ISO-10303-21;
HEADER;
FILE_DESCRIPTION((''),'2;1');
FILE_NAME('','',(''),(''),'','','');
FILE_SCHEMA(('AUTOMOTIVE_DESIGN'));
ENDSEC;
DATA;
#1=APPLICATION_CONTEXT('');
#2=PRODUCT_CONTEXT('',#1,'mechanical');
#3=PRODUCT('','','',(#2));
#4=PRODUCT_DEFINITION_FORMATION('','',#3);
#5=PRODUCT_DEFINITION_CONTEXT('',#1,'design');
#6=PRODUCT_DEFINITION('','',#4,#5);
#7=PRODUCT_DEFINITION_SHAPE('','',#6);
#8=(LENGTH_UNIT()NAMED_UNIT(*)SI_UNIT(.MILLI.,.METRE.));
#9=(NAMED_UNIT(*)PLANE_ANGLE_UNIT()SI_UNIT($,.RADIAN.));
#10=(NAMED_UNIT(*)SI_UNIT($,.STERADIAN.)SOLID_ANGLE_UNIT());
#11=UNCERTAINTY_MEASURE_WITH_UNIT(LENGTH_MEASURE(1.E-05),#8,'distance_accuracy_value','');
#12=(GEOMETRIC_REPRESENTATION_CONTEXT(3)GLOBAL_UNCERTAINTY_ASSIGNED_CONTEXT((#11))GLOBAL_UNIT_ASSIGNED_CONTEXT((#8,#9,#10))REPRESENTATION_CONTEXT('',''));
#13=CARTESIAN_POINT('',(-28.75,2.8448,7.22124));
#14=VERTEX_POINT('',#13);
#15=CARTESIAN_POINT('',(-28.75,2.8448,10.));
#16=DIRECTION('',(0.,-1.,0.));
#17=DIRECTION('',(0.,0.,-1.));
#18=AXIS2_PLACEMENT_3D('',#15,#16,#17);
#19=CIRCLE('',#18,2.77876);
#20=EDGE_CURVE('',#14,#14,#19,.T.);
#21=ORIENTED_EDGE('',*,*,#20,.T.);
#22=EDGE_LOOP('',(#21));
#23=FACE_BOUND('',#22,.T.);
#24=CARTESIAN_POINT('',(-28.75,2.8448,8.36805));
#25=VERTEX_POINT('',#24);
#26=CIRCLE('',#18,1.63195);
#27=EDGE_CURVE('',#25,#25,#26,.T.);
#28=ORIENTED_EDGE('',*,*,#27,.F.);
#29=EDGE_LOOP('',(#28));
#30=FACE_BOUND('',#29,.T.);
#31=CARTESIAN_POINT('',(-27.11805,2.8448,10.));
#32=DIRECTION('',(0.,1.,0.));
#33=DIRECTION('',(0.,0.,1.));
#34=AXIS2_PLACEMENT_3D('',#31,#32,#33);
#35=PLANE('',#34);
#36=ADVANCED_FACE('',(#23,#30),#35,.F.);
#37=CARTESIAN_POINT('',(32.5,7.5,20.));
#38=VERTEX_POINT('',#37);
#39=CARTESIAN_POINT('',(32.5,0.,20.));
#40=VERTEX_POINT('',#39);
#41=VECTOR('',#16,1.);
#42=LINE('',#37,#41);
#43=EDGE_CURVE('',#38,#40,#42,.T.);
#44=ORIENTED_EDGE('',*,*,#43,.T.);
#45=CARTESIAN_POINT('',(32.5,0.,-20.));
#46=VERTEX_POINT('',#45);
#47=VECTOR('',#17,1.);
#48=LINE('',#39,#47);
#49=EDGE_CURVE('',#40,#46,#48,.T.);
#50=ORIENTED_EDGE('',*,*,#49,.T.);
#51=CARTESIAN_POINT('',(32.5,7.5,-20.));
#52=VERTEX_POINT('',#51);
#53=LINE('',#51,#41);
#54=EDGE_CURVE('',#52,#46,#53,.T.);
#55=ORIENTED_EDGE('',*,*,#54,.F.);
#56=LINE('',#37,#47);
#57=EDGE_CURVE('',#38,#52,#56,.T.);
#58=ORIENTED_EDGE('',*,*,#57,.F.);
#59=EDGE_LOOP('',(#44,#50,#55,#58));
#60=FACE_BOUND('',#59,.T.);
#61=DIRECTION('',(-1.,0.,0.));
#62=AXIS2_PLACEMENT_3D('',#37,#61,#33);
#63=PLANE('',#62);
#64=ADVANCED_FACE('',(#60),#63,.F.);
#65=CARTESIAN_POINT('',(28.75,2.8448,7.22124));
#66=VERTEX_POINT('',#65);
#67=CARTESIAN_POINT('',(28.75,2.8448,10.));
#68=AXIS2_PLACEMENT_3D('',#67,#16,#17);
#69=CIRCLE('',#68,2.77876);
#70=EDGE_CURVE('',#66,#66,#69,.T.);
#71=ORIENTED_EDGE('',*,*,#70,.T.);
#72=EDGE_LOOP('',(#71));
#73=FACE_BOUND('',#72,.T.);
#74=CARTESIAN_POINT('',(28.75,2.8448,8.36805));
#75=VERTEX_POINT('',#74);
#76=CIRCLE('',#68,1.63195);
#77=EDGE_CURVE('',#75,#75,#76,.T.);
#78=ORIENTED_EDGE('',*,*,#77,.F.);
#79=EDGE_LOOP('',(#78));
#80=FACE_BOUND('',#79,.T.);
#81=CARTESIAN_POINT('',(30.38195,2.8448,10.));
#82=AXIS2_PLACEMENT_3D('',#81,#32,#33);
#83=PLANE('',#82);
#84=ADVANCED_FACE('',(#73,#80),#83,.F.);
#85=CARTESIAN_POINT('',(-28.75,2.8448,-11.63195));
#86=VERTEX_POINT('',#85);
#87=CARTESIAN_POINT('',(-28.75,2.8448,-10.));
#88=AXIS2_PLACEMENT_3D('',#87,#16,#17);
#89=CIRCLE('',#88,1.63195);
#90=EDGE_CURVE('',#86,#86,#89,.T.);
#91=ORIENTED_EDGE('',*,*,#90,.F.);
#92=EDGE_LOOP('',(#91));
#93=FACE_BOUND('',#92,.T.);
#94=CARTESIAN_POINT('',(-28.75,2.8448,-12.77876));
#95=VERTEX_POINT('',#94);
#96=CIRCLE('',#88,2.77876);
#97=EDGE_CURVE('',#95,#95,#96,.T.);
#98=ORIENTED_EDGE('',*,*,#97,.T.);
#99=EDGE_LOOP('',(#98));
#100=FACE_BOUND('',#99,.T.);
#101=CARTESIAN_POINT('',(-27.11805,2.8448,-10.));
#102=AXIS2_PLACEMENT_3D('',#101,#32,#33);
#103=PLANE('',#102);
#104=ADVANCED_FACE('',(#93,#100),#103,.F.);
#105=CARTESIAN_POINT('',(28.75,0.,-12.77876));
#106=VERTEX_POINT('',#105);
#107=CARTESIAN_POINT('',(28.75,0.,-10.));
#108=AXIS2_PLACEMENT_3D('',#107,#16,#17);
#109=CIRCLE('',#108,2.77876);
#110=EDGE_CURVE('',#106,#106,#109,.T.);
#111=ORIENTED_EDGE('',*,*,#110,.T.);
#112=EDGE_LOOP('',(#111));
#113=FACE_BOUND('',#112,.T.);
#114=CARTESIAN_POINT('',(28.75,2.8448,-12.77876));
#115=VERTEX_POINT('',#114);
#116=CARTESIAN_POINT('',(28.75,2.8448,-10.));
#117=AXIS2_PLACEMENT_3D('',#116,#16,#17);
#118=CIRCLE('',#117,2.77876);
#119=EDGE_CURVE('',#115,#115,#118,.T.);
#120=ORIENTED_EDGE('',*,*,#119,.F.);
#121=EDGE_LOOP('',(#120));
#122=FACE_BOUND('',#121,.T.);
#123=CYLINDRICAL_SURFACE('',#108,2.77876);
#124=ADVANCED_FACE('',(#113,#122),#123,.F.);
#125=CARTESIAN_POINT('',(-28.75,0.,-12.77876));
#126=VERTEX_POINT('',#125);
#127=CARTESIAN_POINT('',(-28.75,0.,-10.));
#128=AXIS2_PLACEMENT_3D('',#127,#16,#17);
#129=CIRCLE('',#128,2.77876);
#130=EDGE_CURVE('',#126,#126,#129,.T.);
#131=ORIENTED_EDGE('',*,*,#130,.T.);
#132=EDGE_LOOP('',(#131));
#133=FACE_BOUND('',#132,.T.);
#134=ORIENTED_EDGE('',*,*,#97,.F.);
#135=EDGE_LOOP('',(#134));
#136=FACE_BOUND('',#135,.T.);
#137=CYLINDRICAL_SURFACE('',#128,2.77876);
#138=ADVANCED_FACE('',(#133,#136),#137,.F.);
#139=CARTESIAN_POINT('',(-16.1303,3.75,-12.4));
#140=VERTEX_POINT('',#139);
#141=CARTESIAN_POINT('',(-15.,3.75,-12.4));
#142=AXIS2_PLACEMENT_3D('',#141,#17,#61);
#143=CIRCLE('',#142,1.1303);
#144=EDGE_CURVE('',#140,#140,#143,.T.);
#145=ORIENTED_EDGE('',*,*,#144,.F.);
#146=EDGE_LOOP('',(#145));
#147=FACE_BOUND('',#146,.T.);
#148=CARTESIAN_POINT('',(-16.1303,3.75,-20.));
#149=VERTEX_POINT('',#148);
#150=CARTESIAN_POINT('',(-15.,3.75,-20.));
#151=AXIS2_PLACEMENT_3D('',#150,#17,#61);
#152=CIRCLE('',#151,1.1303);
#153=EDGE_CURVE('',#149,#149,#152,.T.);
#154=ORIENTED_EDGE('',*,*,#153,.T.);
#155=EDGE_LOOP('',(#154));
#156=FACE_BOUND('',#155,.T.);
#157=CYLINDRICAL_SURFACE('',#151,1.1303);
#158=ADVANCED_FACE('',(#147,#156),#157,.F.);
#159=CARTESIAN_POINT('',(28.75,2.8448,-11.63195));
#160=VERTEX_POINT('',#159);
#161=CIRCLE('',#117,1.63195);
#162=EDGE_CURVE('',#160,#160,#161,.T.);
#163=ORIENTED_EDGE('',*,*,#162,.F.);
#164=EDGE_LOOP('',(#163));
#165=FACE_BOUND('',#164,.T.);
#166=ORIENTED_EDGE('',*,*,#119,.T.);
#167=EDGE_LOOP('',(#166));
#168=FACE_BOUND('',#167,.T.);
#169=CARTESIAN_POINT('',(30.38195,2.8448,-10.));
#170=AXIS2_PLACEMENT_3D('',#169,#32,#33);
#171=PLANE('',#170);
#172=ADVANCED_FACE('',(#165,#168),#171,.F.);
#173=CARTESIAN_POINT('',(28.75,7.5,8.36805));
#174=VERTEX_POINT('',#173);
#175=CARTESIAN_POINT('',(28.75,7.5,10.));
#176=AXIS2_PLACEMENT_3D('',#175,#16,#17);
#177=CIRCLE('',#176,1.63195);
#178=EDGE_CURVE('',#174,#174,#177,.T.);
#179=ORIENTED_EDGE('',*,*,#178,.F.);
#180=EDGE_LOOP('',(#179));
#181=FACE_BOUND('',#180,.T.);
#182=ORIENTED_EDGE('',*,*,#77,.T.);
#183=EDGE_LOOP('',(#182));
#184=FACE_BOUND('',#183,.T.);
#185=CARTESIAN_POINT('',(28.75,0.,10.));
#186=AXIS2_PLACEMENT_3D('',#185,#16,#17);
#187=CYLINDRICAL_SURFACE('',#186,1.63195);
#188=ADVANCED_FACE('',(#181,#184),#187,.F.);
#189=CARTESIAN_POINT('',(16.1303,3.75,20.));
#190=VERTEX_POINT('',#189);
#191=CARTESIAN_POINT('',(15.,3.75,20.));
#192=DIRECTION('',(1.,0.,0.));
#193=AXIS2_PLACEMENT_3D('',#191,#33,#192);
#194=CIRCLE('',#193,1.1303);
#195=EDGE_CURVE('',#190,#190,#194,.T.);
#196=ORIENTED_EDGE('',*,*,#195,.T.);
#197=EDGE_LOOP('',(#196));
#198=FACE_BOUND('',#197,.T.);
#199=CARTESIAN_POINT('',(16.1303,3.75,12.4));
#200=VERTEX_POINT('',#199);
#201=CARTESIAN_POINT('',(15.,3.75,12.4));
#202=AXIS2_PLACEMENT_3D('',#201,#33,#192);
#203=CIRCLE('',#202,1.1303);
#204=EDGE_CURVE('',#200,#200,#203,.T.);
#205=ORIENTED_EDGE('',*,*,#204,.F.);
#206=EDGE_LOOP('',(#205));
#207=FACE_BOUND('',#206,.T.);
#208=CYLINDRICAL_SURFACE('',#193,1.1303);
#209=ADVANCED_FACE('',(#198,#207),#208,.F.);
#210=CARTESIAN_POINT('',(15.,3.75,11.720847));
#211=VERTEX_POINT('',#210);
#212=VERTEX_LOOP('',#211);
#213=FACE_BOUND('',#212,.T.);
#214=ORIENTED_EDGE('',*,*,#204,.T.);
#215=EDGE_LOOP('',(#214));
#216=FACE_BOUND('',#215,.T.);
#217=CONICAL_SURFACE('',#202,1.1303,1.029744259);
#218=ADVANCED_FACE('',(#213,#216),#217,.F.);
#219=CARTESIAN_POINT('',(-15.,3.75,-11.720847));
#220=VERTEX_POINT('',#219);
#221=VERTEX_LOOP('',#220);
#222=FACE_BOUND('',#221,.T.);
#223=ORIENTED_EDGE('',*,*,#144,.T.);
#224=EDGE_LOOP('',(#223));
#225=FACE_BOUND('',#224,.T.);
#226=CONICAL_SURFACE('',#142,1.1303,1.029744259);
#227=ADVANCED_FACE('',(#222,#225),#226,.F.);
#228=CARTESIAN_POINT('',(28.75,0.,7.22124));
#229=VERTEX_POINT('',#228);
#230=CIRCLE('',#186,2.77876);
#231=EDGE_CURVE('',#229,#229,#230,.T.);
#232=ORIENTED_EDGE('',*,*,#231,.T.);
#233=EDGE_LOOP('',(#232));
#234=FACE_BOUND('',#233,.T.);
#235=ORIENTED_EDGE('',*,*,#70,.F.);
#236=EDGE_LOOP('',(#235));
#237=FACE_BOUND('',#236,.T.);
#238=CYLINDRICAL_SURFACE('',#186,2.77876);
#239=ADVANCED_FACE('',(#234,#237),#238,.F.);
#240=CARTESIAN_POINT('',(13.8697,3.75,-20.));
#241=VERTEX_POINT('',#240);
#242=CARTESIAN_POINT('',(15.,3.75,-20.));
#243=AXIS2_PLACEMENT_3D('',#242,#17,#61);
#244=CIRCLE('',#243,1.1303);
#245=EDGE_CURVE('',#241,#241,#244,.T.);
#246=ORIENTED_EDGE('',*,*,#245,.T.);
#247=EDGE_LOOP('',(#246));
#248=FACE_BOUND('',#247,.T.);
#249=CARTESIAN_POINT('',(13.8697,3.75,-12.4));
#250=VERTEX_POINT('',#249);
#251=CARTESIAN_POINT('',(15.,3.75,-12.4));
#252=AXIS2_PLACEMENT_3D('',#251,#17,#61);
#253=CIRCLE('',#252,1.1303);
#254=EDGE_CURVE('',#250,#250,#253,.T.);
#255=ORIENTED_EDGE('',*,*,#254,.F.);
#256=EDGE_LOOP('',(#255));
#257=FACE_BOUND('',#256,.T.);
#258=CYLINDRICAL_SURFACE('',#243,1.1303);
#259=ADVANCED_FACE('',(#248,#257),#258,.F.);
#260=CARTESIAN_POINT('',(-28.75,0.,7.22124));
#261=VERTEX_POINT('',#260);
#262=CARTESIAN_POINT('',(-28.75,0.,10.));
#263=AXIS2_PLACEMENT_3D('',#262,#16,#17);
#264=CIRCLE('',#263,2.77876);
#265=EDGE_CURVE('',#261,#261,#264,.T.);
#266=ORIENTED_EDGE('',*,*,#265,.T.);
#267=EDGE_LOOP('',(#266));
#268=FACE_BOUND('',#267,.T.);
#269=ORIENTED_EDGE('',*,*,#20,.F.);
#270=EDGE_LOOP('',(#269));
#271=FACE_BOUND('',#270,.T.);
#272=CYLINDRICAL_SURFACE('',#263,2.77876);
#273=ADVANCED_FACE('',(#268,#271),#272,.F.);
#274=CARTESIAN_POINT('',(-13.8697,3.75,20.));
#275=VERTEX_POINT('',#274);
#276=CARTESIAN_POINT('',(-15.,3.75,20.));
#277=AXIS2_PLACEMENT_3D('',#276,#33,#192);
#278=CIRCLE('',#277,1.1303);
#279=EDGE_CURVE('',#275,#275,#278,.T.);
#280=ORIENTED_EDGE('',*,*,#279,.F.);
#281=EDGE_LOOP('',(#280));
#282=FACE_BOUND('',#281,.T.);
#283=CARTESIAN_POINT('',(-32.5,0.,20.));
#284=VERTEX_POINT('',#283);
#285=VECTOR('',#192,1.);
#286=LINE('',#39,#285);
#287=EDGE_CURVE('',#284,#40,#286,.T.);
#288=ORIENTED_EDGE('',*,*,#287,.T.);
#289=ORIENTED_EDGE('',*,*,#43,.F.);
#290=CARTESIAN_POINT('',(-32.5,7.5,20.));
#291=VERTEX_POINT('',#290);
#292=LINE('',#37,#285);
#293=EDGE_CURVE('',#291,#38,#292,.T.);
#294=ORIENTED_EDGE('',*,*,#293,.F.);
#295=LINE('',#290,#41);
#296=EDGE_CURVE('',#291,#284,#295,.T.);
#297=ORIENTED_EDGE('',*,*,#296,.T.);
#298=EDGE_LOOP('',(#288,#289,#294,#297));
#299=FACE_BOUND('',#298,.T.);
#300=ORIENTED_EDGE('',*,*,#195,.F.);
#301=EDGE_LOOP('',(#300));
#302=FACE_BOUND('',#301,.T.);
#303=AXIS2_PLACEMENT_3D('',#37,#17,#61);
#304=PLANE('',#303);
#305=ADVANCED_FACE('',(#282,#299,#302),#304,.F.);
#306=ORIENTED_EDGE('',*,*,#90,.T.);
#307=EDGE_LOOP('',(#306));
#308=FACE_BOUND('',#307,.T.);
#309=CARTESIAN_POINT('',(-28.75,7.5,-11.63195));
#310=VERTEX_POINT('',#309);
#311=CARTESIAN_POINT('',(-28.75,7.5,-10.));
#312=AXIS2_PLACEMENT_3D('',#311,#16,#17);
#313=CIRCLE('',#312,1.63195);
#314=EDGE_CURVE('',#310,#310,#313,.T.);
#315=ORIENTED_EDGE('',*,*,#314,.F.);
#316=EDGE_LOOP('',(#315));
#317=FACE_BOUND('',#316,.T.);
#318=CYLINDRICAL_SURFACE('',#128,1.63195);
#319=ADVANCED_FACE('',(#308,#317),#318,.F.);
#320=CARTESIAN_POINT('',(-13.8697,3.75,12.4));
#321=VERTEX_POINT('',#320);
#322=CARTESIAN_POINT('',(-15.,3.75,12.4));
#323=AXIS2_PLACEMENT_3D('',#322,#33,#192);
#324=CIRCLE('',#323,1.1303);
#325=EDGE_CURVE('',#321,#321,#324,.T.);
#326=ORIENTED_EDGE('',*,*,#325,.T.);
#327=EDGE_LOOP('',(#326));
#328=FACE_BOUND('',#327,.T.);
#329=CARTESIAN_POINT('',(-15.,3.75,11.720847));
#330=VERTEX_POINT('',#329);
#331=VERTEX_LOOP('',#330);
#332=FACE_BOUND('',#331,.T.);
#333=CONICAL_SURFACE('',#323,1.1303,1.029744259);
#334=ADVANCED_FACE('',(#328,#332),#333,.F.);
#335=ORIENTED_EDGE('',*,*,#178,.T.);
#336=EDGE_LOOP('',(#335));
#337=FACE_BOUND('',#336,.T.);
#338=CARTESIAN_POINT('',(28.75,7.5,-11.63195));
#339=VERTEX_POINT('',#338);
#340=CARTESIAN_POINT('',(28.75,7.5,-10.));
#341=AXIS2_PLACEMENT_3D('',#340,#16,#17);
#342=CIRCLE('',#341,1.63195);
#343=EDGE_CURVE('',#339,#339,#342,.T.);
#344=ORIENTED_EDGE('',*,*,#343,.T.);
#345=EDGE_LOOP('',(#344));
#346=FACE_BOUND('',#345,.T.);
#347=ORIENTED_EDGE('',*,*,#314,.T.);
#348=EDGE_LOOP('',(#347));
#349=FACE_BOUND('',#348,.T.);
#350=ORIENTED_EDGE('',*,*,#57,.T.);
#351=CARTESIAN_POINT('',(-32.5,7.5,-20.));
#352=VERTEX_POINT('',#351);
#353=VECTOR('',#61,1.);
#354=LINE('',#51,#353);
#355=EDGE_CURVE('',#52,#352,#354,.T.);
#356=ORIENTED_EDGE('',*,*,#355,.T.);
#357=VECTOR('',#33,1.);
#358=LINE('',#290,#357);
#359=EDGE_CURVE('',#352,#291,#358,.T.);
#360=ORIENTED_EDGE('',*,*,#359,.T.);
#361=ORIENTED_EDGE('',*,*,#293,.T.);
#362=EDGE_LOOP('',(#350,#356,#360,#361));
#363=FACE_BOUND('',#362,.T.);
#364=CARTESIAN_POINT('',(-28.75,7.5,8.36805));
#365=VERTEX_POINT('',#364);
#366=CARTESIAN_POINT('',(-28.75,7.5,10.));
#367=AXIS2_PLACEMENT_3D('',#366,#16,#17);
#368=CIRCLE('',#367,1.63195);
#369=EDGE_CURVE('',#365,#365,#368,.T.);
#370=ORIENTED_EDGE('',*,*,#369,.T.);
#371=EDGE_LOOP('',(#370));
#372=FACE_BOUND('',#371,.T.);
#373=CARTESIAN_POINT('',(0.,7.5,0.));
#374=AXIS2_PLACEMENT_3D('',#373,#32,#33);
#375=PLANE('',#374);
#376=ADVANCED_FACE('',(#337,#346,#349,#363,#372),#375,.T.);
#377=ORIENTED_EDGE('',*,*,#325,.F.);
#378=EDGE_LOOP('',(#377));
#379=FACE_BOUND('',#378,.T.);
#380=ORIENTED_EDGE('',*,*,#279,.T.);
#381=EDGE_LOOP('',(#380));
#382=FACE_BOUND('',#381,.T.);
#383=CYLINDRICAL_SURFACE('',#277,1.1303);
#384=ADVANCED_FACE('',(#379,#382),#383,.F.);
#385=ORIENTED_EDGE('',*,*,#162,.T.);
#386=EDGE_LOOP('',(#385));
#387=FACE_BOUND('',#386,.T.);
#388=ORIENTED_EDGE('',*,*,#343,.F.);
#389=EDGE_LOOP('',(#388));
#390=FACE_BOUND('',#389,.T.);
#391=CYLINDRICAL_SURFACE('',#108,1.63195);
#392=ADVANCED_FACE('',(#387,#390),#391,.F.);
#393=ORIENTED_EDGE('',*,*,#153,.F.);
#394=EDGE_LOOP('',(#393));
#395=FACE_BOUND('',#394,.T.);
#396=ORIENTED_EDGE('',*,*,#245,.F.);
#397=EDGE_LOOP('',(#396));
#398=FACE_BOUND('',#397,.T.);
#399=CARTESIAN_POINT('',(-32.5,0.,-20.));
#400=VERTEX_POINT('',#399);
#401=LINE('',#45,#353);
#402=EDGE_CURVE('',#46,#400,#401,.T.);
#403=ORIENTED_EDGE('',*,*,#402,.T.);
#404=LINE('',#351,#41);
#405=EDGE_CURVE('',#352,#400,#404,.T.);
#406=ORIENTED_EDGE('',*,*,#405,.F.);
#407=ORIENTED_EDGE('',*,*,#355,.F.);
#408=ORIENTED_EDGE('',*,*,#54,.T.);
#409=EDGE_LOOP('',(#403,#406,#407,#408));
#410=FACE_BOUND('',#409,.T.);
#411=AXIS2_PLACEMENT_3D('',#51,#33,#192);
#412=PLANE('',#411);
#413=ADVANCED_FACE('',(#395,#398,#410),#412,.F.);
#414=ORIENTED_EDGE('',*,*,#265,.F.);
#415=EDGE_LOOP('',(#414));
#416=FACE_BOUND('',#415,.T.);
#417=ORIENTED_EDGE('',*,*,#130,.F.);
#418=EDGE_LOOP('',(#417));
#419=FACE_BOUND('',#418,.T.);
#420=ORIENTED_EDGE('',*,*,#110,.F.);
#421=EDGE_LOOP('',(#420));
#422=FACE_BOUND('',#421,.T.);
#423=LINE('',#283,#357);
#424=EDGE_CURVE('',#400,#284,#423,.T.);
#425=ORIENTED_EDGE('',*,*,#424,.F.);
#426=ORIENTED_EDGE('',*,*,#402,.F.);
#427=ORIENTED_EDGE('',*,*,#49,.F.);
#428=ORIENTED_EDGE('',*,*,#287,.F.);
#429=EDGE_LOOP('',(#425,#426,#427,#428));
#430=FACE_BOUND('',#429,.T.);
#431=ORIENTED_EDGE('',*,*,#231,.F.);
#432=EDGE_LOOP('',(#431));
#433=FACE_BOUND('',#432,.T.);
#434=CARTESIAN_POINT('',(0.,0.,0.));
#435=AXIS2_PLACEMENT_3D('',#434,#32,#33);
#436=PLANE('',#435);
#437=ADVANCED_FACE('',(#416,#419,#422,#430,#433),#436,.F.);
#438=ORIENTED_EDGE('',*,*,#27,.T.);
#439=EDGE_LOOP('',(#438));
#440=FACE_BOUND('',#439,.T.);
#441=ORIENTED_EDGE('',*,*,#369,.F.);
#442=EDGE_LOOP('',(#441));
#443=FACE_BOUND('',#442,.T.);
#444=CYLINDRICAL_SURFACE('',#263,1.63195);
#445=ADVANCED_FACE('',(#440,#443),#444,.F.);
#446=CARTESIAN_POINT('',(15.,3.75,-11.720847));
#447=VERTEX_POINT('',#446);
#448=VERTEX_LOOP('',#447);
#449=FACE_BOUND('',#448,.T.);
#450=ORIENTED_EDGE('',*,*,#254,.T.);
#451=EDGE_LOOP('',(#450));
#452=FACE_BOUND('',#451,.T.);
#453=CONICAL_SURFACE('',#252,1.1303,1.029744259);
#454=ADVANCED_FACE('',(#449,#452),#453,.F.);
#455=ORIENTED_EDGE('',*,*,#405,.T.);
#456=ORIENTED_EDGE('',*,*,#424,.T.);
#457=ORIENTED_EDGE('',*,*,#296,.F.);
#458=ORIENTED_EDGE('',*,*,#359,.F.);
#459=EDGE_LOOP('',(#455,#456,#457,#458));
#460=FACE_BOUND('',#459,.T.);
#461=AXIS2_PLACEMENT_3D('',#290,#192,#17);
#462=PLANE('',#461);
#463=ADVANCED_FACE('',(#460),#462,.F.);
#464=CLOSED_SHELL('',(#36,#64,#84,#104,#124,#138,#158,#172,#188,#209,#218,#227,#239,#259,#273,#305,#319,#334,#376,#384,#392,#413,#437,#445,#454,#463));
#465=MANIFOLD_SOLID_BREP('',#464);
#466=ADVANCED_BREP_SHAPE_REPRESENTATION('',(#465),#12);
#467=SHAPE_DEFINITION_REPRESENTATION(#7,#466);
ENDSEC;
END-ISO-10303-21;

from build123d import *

# Parameters (mm, degrees)
SKETCH1_W                                      = 65
SKETCH1_H                                      = 40
BOSS_EXTRUDE1_DEPTH                            = 7.5
F_4_40_TAPPED_HOLE1_D                          = 2.2606
F_4_40_TAPPED_HOLE1_DEPTH                      = 7.6
F_4_40_TAPPED_HOLE1_TIP                        = 0.679152758
F_4_40_TAPPED_HOLE2_D                          = 2.2606
F_4_40_TAPPED_HOLE2_DEPTH                      = 7.6
F_4_40_TAPPED_HOLE2_TIP                        = 0.679152758
CBORE_FOR_4_SOCKET_HEAD_CAP_SCREW1_D           = 3.2639
CBORE_FOR_4_SOCKET_HEAD_CAP_SCREW1_CBORE_D     = 5.55752
CBORE_FOR_4_SOCKET_HEAD_CAP_SCREW1_CBORE_DEPTH = 2.8448


with BuildPart() as part:
    # Sketch1 → Boss-Extrude1 (new body)
    with BuildSketch(Plane(origin=(0, 0, 0), x_dir=(1, 0, 0), z_dir=(0, 1, 0))):
        Rectangle(SKETCH1_W, SKETCH1_H)
    extrude(amount=BOSS_EXTRUDE1_DEPTH)

    # #4-40 Tapped Hole1
    with Locations(Plane.XY.offset(20)):
        with Locations((-15, 3.75), (15, 3.75)):
            Hole(F_4_40_TAPPED_HOLE1_D / 2, depth=F_4_40_TAPPED_HOLE1_DEPTH)
            with Locations((0, 0, -(F_4_40_TAPPED_HOLE1_DEPTH + F_4_40_TAPPED_HOLE1_TIP / 2))):  # 118° drill point
                Cone(0, F_4_40_TAPPED_HOLE1_D / 2, F_4_40_TAPPED_HOLE1_TIP, mode=Mode.SUBTRACT)

    # #4-40 Tapped Hole2
    with Locations(Plane(origin=(0, 0, -20), x_dir=(-1, 0, 0), z_dir=(0, 0, -1))):
        with Locations((-15, 3.75), (15, 3.75)):
            Hole(F_4_40_TAPPED_HOLE2_D / 2, depth=F_4_40_TAPPED_HOLE2_DEPTH)
            with Locations((0, 0, -(F_4_40_TAPPED_HOLE2_DEPTH + F_4_40_TAPPED_HOLE2_TIP / 2))):  # 118° drill point
                Cone(0, F_4_40_TAPPED_HOLE2_D / 2, F_4_40_TAPPED_HOLE2_TIP, mode=Mode.SUBTRACT)

    # CBORE for #4 Socket Head Cap Screw1 (through all)
    with Locations(Plane(origin=(0, 0, 0), x_dir=(-1, 0, 0), z_dir=(0, -1, 0))):
        with Locations((-28.75, -10), (-28.75, 10), (28.75, 10), (28.75, -10)):
            CounterBoreHole(CBORE_FOR_4_SOCKET_HEAD_CAP_SCREW1_D / 2, CBORE_FOR_4_SOCKET_HEAD_CAP_SCREW1_CBORE_D / 2, CBORE_FOR_4_SOCKET_HEAD_CAP_SCREW1_CBORE_DEPTH)


solid = part.part
